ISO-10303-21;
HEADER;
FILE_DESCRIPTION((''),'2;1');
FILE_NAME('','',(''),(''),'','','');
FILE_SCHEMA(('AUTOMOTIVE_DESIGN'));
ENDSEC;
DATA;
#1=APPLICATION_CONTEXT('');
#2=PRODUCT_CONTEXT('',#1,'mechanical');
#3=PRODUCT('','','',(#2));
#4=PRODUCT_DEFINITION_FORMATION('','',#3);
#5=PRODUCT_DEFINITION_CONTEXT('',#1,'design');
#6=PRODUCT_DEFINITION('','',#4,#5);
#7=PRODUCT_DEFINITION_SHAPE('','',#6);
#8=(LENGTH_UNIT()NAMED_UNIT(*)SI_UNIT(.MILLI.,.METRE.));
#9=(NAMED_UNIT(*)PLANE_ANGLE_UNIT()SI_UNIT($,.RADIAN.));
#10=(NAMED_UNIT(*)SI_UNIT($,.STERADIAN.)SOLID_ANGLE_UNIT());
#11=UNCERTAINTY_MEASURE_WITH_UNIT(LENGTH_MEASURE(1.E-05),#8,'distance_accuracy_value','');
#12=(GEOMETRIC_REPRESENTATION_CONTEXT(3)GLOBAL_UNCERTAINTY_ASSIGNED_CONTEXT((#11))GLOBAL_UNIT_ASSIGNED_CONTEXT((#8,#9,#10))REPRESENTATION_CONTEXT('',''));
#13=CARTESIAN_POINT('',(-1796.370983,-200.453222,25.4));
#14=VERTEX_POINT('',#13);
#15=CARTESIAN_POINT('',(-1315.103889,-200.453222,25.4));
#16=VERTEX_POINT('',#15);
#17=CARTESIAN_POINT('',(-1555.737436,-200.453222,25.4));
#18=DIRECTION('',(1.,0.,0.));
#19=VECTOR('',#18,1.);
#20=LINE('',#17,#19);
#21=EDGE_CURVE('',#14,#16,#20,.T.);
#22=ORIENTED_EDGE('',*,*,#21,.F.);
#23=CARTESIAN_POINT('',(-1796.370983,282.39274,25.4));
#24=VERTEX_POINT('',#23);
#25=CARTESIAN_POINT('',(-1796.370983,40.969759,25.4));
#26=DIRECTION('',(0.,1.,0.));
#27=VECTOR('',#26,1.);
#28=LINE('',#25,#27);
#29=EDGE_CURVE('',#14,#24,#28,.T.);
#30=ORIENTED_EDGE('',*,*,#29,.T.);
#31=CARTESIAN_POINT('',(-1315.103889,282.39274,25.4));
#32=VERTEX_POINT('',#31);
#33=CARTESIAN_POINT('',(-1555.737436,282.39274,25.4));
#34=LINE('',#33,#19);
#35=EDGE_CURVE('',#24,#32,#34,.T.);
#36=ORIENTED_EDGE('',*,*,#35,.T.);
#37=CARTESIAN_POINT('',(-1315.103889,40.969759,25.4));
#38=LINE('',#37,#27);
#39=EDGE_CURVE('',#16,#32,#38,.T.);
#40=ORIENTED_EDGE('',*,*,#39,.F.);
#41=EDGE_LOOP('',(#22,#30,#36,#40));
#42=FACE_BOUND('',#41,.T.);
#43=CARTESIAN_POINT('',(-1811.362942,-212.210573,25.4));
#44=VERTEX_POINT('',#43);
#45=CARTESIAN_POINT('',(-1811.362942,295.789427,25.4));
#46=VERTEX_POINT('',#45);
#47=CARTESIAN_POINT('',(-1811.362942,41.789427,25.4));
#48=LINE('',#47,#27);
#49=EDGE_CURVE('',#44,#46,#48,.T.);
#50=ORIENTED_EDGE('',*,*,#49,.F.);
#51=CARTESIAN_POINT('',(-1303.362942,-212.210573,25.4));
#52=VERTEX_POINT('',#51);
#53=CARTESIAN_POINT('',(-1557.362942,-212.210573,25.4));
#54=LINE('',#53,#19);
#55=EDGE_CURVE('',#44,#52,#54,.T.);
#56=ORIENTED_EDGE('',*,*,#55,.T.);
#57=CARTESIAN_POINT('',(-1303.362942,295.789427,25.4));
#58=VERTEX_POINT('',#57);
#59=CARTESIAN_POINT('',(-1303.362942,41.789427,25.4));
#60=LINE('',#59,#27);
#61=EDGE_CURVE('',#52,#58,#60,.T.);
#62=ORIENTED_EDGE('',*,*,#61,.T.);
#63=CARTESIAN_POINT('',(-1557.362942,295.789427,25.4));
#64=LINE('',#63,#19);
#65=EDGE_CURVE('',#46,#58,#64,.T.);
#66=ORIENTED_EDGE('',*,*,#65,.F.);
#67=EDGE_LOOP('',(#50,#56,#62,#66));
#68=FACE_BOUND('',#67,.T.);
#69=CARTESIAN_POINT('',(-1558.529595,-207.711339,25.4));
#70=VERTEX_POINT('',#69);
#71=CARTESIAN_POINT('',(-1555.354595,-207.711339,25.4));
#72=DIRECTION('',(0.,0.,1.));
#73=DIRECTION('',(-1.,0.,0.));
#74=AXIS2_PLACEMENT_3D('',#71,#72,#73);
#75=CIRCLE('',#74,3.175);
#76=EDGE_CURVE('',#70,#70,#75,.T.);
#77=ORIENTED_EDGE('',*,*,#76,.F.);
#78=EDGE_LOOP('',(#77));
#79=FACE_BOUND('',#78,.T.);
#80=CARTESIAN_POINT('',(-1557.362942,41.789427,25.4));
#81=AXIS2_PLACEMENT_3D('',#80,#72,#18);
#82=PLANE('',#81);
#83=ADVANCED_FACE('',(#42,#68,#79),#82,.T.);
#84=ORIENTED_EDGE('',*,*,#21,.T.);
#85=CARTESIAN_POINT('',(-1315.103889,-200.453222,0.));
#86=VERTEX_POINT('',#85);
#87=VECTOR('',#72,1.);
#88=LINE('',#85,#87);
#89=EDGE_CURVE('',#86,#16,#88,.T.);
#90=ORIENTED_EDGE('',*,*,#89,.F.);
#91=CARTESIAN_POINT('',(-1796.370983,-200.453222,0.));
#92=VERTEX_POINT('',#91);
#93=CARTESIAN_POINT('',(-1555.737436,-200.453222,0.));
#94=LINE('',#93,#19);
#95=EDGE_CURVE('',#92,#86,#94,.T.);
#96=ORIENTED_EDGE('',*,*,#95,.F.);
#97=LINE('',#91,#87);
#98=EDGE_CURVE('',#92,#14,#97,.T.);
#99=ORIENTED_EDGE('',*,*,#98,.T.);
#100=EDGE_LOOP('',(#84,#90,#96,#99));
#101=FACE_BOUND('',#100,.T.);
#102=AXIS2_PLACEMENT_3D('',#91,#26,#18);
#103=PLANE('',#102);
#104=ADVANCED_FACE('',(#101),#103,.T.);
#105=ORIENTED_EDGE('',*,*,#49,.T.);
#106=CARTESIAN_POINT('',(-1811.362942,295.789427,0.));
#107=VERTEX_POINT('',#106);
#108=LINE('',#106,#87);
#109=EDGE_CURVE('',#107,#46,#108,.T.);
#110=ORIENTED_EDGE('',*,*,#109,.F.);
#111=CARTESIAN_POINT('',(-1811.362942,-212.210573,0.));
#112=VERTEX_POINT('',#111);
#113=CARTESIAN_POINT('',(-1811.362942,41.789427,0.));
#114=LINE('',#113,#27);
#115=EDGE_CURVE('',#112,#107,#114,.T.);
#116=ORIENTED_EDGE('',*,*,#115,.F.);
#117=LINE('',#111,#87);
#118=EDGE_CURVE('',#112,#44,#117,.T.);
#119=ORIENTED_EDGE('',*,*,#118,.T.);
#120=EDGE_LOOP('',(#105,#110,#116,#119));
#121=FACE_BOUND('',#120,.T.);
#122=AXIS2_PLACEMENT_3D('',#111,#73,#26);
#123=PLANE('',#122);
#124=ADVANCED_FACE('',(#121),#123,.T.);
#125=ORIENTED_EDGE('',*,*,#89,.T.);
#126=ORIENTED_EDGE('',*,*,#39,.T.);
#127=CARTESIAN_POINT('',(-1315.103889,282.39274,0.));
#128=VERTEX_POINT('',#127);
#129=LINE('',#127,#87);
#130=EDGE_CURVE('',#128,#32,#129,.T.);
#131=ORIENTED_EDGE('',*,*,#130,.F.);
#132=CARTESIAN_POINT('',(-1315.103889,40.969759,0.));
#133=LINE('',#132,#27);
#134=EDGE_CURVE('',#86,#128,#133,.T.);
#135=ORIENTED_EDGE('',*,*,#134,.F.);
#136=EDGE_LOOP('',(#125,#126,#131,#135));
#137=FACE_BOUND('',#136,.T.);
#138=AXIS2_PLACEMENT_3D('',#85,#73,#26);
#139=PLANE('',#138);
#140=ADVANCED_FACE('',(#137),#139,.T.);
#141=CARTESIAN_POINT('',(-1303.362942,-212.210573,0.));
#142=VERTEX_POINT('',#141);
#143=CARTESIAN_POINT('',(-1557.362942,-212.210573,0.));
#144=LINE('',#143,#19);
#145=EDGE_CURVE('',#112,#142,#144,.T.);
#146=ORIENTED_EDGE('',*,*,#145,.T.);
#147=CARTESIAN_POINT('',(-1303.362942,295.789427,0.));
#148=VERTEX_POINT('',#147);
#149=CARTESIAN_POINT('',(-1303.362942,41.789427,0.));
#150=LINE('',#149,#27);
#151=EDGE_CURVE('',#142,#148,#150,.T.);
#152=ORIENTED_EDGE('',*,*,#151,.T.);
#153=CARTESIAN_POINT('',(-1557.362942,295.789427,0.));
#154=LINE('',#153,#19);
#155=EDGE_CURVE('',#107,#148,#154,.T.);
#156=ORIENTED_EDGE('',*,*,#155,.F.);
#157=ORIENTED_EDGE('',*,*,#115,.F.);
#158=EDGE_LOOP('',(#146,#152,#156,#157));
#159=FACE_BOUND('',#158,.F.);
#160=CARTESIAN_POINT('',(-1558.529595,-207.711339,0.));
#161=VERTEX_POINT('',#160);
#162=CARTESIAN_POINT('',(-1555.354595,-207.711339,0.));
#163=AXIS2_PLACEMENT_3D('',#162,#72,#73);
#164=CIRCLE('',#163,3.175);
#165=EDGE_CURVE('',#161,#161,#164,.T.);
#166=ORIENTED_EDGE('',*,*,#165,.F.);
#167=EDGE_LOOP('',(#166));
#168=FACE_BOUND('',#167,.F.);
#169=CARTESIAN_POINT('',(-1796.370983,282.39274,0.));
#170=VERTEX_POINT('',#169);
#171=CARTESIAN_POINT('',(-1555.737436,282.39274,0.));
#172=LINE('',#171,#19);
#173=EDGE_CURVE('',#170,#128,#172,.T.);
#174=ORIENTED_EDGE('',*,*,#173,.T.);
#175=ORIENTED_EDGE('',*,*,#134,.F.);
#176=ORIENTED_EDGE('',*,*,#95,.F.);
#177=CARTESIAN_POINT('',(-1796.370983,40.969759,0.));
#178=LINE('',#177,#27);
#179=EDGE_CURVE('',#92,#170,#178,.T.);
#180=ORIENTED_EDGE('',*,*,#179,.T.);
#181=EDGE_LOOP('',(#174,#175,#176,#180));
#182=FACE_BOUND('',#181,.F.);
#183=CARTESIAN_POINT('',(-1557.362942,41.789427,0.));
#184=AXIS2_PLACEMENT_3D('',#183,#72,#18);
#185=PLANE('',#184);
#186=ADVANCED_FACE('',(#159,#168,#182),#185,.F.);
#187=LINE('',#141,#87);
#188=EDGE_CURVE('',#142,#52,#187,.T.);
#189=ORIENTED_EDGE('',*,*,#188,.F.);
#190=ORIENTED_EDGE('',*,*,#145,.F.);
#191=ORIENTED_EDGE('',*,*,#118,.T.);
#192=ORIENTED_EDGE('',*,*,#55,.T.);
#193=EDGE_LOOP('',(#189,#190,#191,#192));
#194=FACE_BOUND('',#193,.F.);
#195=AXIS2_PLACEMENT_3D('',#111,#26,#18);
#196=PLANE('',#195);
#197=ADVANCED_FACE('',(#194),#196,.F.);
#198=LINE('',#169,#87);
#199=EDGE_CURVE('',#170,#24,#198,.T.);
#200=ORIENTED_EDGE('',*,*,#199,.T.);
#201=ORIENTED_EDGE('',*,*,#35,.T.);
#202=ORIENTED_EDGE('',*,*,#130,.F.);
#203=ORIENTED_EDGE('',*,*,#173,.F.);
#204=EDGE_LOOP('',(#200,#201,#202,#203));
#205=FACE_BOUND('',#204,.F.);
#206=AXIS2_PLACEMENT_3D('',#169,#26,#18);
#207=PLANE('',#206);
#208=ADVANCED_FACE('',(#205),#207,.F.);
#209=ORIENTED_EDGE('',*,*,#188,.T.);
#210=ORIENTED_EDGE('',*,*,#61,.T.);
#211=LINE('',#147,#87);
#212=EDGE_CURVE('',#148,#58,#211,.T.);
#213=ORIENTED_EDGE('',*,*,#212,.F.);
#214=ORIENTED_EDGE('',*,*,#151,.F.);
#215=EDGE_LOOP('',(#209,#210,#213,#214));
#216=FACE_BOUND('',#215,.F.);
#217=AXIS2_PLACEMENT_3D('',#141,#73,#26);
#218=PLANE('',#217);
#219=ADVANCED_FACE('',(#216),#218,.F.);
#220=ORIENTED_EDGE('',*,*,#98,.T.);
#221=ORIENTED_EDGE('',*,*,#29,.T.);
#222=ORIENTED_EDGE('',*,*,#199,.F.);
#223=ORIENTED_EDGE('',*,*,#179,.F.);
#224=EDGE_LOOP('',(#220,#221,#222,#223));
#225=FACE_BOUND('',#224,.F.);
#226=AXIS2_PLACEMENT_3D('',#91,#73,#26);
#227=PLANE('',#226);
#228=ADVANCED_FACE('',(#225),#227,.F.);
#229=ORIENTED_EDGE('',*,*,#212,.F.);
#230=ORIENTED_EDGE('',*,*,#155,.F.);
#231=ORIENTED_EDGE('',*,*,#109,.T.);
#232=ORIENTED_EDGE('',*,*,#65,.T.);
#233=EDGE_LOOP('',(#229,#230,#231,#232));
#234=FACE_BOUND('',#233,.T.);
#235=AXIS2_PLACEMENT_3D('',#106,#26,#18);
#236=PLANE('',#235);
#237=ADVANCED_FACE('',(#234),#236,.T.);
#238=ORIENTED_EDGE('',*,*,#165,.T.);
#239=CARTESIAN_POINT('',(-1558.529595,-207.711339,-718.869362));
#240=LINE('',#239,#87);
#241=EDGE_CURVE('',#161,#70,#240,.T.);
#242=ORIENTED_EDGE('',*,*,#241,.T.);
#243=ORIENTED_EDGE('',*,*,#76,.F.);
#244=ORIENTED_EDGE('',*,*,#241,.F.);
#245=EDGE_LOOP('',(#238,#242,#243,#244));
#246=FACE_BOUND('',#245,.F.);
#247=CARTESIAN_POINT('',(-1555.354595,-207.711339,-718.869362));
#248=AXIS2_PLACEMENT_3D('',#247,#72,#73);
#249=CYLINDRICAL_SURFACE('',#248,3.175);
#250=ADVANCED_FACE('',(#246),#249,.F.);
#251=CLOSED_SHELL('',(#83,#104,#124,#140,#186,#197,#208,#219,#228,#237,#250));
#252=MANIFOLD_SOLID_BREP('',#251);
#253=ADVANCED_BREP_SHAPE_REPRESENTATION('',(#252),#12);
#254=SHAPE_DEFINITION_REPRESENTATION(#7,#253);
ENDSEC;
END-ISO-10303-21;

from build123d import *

# Parameters (mm, degrees)
F0_W     = 25.4
F0_H     = 254
F1_DEPTH = 5.08
F5_W     = 508
F5_H     = 508
F5_W_2   = 481.2670946121
F5_H_2   = 482.8459620476
F6_DEPTH = 25.4
F9_D     = 6.35


with BuildPart() as f1:
    # F0 (on Top) → F1 (new body)
    with BuildSketch(Plane.XY):
        with Locations((-293.8296190764, 14.3110007048)):
            Rectangle(F0_W, F0_H)
    extrude(amount=F1_DEPTH)


with BuildPart() as f6:
    # F5 (on face) → F6 (new body)
    with BuildSketch(Plane.XY):
        with Locations((-1557.362942471, 41.7894273996)):
            Rectangle(F5_W, F5_H)
        with Locations((-1555.7374358177, 40.9697592258)):
            Rectangle(F5_W_2, F5_H_2, mode=Mode.SUBTRACT)
    extrude(amount=F6_DEPTH)

    # F9 (through all)
    with Locations(Plane(origin=(0, 0, 0), x_dir=(1, 0, 0), z_dir=(0, 0, -1))):
        with Locations((-1555.3545951843, 207.7113389969)):
            Hole(F9_D / 2)


solid = f6.part
